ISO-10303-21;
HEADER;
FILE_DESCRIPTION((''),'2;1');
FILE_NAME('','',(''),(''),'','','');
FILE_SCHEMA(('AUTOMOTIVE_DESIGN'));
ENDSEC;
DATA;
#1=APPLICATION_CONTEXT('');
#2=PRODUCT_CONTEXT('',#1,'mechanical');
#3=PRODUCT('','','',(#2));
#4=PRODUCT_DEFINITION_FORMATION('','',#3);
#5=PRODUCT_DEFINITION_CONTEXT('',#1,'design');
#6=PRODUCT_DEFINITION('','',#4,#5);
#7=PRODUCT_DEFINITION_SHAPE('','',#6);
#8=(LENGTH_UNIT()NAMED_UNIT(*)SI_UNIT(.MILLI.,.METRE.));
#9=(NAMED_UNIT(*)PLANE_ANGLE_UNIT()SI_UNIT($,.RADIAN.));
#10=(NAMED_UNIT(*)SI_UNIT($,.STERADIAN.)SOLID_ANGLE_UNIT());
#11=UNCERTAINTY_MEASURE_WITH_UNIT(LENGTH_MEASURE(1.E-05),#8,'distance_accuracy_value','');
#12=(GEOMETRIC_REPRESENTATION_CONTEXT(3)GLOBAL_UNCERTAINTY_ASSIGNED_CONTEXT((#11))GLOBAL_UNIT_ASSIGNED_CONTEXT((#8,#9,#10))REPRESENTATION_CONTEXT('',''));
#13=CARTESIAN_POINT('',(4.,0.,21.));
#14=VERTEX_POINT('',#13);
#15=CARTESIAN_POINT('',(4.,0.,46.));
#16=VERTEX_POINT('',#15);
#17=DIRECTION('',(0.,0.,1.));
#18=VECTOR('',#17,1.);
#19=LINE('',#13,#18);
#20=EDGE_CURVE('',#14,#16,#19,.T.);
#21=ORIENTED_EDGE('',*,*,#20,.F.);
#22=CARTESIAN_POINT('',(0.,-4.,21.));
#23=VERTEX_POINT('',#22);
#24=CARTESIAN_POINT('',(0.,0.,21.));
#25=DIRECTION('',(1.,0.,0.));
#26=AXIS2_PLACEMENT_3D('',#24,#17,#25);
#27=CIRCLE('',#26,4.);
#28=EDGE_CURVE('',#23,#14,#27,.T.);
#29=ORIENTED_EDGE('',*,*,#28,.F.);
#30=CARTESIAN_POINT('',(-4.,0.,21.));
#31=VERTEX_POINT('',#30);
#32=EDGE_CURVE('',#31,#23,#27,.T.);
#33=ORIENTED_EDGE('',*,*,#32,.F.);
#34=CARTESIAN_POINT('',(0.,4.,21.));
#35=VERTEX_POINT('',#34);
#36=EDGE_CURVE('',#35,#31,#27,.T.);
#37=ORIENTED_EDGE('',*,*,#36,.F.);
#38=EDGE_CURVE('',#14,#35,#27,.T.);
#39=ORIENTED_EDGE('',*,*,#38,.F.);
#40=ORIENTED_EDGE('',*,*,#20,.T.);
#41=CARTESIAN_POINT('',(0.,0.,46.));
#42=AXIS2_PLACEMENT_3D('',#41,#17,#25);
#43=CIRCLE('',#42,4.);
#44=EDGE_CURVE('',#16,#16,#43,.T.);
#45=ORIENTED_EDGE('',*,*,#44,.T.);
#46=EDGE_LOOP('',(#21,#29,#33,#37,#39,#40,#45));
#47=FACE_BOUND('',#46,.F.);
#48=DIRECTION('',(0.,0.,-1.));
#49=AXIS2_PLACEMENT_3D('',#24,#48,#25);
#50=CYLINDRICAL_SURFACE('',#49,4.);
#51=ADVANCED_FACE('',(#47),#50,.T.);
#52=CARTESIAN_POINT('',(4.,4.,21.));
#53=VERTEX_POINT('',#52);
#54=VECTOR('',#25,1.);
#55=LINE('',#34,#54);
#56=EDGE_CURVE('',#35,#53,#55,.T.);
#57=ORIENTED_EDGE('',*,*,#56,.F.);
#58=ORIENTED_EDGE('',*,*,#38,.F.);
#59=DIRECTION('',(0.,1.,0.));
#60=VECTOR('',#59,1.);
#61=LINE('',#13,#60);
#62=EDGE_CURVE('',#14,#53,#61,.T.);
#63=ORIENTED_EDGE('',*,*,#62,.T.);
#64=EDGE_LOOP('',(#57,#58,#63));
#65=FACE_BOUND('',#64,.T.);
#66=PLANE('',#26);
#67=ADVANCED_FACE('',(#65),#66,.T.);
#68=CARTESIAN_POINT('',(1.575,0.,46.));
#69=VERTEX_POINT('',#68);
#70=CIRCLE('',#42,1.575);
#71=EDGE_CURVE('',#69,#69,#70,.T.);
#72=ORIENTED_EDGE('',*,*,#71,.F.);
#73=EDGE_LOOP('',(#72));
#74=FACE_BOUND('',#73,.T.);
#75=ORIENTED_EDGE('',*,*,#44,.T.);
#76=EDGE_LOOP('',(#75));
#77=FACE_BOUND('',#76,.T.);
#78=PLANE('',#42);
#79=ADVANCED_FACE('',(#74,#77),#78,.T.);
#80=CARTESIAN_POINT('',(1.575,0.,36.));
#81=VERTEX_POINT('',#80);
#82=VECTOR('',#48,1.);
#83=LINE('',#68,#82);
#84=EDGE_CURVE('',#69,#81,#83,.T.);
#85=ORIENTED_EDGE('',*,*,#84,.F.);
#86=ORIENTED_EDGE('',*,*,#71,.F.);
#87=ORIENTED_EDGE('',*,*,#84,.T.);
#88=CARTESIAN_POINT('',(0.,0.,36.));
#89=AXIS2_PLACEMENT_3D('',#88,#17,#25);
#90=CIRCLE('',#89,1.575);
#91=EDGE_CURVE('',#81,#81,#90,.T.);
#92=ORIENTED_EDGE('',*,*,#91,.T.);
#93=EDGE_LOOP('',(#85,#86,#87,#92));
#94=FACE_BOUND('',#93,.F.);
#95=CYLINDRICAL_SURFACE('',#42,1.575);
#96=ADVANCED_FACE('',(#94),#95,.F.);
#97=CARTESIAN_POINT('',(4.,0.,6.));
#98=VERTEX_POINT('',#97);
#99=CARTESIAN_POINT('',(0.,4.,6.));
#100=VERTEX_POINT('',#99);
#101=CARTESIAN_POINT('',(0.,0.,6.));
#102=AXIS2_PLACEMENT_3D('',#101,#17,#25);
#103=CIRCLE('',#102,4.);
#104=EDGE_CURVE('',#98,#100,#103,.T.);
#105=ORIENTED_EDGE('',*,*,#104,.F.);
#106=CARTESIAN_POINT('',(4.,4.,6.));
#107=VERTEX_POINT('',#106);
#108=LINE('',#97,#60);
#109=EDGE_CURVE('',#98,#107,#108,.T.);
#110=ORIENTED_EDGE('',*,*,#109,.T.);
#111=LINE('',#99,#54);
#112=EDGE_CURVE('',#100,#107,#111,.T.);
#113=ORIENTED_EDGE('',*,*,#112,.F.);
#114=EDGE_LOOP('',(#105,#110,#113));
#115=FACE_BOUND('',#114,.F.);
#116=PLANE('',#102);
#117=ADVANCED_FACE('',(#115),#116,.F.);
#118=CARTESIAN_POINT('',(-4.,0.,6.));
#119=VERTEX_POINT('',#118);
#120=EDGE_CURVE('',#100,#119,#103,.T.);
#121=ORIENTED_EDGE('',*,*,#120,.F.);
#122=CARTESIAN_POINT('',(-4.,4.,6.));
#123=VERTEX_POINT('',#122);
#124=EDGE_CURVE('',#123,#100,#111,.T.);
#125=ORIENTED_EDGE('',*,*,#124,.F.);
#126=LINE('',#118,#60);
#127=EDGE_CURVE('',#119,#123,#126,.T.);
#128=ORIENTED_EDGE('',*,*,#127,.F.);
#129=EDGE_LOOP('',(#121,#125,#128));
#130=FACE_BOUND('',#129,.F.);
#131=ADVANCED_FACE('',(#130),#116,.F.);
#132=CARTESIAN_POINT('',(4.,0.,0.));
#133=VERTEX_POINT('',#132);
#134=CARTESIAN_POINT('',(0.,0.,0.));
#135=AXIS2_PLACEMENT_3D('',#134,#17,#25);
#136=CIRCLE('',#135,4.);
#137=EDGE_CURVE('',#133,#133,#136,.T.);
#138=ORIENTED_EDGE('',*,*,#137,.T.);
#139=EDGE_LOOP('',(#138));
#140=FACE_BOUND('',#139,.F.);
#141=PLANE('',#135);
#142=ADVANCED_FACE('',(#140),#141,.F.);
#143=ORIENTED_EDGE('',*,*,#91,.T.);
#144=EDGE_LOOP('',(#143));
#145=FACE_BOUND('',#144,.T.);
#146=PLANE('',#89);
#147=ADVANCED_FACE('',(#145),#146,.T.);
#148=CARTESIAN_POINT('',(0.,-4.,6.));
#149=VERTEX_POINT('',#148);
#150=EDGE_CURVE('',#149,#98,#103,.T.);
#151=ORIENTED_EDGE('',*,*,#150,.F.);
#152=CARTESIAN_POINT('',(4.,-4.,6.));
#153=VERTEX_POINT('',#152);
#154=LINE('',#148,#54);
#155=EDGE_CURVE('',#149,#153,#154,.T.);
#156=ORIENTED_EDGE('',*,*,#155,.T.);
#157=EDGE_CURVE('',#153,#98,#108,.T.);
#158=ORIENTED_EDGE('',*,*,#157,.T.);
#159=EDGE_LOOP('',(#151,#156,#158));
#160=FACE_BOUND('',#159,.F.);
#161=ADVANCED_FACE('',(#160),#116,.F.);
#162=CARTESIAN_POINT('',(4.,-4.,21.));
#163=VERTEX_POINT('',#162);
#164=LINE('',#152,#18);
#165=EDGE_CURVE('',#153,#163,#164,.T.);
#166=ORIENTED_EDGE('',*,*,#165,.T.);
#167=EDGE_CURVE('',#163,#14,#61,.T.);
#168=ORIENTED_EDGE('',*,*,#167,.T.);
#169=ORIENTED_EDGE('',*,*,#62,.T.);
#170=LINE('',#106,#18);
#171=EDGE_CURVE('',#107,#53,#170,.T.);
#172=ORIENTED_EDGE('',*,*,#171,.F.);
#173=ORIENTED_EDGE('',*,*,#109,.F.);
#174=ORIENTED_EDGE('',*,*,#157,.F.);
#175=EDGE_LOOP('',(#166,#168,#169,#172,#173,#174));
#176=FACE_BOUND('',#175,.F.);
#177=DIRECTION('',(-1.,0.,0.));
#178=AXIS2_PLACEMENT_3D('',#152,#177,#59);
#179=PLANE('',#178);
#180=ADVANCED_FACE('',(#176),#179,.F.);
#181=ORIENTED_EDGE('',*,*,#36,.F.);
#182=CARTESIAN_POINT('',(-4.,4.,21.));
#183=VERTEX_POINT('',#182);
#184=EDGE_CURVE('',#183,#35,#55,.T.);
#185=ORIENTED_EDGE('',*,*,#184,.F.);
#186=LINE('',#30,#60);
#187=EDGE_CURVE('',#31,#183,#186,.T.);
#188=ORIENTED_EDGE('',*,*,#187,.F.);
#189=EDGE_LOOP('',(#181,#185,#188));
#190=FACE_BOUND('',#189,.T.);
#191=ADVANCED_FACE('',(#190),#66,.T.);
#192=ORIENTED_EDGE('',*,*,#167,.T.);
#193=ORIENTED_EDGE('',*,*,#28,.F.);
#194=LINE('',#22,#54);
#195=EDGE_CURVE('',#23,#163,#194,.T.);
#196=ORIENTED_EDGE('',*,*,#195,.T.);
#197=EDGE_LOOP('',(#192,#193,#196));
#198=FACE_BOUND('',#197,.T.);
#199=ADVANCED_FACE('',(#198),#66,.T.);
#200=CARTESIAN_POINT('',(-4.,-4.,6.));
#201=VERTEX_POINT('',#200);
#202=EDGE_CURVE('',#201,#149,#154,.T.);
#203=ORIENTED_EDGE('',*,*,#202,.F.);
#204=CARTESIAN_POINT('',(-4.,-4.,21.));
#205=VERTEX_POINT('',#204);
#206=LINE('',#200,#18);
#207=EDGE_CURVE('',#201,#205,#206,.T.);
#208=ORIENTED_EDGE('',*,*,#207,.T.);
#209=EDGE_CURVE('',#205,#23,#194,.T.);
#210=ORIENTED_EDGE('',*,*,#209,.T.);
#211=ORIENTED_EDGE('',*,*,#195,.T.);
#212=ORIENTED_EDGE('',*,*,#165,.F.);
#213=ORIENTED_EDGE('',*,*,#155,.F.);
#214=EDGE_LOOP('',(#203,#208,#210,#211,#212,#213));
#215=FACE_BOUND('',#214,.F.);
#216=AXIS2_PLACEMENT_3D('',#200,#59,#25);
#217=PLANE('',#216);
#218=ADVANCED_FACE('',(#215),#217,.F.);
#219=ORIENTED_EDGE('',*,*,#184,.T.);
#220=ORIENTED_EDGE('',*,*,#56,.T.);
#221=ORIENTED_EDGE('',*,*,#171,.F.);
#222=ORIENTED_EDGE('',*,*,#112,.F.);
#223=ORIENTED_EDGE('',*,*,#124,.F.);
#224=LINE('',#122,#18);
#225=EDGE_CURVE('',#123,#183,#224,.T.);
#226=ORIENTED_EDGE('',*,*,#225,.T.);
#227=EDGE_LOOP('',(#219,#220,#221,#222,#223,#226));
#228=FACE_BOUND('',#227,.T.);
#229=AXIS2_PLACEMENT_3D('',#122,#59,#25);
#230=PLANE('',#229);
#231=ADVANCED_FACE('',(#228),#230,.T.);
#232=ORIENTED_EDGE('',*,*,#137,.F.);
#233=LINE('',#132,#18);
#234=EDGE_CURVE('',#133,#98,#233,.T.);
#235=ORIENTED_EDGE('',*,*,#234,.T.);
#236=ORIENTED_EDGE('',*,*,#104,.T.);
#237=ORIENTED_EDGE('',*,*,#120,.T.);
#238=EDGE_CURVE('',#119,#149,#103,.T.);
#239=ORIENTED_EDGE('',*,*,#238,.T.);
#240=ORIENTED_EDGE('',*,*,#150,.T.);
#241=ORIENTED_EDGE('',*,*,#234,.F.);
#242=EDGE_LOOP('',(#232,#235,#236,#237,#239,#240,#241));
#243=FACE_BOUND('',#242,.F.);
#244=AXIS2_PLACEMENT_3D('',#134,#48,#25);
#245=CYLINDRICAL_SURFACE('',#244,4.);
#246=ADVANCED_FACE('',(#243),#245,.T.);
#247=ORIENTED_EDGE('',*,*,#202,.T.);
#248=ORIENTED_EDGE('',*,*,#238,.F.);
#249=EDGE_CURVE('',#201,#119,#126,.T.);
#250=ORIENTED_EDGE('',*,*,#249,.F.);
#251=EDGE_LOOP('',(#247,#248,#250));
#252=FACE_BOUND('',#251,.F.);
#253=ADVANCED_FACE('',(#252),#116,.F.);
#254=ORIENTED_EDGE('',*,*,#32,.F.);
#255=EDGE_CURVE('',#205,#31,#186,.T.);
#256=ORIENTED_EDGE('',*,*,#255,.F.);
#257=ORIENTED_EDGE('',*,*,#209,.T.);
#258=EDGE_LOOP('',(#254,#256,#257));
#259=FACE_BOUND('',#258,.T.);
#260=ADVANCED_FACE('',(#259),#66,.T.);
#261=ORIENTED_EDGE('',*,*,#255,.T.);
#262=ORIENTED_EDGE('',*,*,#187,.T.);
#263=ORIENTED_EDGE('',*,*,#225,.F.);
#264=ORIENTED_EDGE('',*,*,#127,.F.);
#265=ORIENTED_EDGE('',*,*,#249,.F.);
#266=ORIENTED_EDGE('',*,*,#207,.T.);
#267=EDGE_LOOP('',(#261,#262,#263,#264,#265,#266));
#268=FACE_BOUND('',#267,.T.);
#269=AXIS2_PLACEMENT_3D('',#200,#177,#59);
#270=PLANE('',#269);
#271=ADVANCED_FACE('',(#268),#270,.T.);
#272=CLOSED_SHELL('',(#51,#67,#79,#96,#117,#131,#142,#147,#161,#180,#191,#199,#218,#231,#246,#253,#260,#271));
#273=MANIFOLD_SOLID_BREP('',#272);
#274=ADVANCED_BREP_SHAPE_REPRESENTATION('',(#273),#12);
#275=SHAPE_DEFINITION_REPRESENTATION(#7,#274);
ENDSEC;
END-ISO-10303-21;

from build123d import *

# Parameters (mm, degrees)
F0_R     = 4
F1_DEPTH = 6
F2_W     = 8
F2_H     = 8
F3_DEPTH = 15
F4_R     = 4
F5_DEPTH = 25
F6_R     = 1.575
F7_DEPTH = 10


with BuildPart() as f1:
    # F0 (on Top) → F1 (new body)
    with BuildSketch(Plane.XY):
        Circle(F0_R)
    extrude(amount=F1_DEPTH)

    # F2 (on face) → F3 (join)
    with BuildSketch(Plane.XY.offset(6)):
        Rectangle(F2_W, F2_H)
    extrude(amount=F3_DEPTH)

    # F4 (on face) → F5 (join)
    with BuildSketch(Plane.XY.offset(21)):
        Circle(F4_R)
    extrude(amount=F5_DEPTH)

    # F6 (on face) → F7 (cut)
    with BuildSketch(Plane.XY.offset(46)):
        Circle(F6_R)
    extrude(amount=-F7_DEPTH, mode=Mode.SUBTRACT)


solid = f1.part
